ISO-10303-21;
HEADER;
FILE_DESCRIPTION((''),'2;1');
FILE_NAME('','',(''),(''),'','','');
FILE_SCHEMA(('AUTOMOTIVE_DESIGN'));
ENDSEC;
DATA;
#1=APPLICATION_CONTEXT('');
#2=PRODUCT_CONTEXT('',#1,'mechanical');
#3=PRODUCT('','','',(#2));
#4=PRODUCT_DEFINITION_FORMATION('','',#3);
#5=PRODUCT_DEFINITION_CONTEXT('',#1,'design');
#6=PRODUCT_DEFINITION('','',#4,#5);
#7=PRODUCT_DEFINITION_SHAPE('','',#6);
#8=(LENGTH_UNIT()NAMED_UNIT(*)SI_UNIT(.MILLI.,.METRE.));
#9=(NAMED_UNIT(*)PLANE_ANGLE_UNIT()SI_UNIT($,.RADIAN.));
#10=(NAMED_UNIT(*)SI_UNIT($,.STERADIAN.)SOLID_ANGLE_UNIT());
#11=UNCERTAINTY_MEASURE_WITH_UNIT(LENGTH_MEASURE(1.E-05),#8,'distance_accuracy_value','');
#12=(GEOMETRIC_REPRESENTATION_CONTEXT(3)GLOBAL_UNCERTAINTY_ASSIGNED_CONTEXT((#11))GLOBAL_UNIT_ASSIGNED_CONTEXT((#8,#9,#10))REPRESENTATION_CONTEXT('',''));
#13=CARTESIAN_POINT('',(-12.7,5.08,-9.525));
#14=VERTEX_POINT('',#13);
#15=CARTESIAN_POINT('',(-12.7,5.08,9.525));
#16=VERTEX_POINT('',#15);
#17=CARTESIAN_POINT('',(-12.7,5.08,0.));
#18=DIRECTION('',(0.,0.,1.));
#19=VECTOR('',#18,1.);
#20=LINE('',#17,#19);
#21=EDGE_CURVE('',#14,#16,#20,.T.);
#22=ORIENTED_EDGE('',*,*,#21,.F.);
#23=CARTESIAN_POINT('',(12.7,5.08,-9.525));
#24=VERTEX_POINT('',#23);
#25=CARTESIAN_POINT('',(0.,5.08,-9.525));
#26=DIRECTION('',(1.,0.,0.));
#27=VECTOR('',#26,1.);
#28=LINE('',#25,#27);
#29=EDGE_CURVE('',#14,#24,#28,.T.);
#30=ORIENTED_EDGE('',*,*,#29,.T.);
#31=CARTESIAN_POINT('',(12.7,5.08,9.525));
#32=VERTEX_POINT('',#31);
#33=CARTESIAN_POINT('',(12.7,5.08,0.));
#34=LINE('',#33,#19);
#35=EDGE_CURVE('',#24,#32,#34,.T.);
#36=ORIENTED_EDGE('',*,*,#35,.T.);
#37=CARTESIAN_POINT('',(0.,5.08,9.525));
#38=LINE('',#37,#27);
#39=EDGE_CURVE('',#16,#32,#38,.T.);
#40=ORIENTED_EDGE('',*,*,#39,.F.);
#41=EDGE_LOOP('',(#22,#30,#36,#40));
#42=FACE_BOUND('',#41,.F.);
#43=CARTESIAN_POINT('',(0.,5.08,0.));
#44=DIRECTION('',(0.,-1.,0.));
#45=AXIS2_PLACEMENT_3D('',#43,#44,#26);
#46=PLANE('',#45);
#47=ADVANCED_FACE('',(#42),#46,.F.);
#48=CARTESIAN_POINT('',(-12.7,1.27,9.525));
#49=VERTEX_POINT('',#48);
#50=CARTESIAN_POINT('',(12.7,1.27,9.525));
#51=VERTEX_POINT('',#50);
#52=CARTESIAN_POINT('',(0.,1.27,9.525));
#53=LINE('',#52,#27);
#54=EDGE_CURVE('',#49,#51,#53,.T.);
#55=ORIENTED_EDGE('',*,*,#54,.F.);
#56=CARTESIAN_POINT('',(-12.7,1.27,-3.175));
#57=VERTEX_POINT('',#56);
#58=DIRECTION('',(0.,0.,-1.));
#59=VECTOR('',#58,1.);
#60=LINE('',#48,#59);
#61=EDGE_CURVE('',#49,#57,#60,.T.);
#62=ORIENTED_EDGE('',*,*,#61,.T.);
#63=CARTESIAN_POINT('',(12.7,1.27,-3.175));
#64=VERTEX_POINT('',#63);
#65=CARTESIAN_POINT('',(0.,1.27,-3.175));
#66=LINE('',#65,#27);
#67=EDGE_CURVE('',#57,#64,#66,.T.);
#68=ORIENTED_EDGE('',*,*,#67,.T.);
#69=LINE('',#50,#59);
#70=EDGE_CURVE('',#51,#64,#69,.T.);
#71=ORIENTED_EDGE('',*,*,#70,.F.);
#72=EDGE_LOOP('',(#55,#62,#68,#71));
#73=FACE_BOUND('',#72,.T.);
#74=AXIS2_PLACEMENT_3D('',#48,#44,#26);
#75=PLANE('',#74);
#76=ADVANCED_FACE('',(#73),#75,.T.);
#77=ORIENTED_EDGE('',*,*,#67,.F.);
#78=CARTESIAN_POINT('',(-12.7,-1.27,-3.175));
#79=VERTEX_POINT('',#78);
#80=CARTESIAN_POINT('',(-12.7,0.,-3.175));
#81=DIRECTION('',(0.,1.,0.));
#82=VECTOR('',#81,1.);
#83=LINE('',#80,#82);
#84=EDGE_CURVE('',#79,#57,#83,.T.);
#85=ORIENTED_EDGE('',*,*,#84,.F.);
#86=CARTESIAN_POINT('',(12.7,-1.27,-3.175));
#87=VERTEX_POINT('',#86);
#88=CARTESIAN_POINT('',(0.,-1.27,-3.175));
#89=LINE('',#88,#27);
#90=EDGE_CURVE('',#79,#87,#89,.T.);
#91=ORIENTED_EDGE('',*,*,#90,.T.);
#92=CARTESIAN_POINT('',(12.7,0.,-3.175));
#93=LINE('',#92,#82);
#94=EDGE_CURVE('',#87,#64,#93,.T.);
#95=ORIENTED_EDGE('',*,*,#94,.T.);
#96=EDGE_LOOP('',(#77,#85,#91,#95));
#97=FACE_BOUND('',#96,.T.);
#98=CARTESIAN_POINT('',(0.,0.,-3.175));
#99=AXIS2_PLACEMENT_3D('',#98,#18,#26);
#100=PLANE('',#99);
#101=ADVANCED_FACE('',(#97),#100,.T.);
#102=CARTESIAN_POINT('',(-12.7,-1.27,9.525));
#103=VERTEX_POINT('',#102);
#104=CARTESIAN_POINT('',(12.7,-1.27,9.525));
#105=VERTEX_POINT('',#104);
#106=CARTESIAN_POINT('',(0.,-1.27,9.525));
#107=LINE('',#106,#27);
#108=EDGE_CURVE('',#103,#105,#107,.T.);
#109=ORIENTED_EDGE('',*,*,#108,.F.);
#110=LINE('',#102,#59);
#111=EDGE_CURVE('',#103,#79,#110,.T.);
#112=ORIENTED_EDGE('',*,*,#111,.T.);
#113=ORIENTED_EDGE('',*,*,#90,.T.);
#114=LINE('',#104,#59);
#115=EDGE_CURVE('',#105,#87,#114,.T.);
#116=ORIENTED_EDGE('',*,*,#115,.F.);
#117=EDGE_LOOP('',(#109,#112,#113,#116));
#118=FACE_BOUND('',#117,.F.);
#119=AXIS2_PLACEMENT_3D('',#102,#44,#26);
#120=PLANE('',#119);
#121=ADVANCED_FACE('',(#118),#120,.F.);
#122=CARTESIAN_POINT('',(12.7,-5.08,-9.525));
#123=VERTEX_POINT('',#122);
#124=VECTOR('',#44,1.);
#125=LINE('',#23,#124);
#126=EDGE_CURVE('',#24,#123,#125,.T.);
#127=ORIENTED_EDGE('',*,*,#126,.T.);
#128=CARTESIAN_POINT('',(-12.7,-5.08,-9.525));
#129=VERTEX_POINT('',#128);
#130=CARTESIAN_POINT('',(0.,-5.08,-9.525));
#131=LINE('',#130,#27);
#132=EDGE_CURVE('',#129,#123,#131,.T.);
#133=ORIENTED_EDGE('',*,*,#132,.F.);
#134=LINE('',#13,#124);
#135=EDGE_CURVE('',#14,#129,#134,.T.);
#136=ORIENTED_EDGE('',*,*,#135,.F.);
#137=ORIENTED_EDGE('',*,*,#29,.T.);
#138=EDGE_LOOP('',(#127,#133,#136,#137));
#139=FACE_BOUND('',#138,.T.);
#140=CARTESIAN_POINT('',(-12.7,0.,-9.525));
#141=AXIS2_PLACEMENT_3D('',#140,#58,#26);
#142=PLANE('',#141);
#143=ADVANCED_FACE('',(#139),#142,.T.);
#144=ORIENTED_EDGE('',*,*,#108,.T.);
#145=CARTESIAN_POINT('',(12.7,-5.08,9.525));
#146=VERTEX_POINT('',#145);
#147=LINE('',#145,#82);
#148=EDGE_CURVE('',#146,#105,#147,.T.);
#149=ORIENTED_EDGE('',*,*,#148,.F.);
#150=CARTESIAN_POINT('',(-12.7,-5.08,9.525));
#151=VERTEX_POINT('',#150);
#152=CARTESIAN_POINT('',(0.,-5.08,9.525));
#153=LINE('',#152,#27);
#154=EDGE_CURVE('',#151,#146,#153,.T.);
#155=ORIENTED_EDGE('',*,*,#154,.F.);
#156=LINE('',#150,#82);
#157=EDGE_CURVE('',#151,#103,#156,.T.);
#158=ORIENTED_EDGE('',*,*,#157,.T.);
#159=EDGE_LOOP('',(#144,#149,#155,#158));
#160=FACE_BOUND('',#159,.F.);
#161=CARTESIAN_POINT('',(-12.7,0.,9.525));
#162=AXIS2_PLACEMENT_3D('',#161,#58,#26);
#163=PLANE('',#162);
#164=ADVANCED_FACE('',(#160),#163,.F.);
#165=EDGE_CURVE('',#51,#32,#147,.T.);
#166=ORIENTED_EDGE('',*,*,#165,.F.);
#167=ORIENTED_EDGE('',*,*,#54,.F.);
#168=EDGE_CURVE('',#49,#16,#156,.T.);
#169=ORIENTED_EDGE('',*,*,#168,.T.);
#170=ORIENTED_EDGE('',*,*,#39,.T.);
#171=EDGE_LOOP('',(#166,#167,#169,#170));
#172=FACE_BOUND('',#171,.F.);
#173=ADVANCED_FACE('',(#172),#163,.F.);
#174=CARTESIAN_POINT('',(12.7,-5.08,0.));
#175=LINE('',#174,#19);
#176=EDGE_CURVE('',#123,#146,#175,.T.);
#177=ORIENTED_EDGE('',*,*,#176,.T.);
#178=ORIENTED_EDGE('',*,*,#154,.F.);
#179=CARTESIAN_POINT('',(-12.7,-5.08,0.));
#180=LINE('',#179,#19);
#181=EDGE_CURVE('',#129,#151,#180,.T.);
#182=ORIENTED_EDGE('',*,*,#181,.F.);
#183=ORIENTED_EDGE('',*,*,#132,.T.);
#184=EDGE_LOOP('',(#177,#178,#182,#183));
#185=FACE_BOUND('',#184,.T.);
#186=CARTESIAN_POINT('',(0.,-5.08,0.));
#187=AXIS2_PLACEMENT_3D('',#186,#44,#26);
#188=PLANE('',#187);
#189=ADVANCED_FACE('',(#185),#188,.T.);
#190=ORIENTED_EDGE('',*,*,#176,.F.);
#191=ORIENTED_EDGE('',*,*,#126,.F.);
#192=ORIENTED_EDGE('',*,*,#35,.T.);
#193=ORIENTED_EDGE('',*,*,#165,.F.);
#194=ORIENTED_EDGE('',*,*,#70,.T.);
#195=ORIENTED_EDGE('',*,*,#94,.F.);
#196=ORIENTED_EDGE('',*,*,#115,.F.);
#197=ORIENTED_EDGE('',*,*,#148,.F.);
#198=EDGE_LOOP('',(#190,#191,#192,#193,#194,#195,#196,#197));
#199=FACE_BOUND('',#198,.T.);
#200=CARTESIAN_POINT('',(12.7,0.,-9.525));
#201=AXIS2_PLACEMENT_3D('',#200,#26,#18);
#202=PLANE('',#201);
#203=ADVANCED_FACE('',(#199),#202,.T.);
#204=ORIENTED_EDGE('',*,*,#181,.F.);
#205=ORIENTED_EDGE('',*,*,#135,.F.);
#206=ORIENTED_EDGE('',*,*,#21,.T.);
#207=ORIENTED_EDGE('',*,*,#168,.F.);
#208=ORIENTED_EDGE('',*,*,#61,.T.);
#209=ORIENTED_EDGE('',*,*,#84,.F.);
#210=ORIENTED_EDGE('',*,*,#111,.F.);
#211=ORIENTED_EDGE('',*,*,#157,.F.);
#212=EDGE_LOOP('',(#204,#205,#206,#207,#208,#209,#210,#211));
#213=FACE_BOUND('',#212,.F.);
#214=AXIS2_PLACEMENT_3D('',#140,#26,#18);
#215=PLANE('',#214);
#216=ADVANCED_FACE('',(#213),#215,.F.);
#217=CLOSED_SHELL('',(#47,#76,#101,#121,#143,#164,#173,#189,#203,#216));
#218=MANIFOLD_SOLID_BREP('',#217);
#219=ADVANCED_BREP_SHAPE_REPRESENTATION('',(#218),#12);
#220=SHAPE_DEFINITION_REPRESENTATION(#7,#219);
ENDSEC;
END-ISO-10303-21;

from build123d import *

# Parameters (mm, degrees)
F0_W     = 25.4
F0_H     = 19.05
F1_DEPTH = 5.08
F2_W     = 25.4
F2_H     = 2.54
F3_DEPTH = 12.7


with BuildPart() as f1:
    # F0 (on Front) → F1 (new body, symmetric)
    with BuildSketch(Plane.XZ):
        Rectangle(F0_W, F0_H)
    extrude(amount=F1_DEPTH, both=True)

    # F2 (on face) → F3 (cut)
    with BuildSketch(Plane.XY.offset(9.525)):
        Rectangle(F2_W, F2_H)
    extrude(amount=-F3_DEPTH, mode=Mode.SUBTRACT)


solid = f1.part
